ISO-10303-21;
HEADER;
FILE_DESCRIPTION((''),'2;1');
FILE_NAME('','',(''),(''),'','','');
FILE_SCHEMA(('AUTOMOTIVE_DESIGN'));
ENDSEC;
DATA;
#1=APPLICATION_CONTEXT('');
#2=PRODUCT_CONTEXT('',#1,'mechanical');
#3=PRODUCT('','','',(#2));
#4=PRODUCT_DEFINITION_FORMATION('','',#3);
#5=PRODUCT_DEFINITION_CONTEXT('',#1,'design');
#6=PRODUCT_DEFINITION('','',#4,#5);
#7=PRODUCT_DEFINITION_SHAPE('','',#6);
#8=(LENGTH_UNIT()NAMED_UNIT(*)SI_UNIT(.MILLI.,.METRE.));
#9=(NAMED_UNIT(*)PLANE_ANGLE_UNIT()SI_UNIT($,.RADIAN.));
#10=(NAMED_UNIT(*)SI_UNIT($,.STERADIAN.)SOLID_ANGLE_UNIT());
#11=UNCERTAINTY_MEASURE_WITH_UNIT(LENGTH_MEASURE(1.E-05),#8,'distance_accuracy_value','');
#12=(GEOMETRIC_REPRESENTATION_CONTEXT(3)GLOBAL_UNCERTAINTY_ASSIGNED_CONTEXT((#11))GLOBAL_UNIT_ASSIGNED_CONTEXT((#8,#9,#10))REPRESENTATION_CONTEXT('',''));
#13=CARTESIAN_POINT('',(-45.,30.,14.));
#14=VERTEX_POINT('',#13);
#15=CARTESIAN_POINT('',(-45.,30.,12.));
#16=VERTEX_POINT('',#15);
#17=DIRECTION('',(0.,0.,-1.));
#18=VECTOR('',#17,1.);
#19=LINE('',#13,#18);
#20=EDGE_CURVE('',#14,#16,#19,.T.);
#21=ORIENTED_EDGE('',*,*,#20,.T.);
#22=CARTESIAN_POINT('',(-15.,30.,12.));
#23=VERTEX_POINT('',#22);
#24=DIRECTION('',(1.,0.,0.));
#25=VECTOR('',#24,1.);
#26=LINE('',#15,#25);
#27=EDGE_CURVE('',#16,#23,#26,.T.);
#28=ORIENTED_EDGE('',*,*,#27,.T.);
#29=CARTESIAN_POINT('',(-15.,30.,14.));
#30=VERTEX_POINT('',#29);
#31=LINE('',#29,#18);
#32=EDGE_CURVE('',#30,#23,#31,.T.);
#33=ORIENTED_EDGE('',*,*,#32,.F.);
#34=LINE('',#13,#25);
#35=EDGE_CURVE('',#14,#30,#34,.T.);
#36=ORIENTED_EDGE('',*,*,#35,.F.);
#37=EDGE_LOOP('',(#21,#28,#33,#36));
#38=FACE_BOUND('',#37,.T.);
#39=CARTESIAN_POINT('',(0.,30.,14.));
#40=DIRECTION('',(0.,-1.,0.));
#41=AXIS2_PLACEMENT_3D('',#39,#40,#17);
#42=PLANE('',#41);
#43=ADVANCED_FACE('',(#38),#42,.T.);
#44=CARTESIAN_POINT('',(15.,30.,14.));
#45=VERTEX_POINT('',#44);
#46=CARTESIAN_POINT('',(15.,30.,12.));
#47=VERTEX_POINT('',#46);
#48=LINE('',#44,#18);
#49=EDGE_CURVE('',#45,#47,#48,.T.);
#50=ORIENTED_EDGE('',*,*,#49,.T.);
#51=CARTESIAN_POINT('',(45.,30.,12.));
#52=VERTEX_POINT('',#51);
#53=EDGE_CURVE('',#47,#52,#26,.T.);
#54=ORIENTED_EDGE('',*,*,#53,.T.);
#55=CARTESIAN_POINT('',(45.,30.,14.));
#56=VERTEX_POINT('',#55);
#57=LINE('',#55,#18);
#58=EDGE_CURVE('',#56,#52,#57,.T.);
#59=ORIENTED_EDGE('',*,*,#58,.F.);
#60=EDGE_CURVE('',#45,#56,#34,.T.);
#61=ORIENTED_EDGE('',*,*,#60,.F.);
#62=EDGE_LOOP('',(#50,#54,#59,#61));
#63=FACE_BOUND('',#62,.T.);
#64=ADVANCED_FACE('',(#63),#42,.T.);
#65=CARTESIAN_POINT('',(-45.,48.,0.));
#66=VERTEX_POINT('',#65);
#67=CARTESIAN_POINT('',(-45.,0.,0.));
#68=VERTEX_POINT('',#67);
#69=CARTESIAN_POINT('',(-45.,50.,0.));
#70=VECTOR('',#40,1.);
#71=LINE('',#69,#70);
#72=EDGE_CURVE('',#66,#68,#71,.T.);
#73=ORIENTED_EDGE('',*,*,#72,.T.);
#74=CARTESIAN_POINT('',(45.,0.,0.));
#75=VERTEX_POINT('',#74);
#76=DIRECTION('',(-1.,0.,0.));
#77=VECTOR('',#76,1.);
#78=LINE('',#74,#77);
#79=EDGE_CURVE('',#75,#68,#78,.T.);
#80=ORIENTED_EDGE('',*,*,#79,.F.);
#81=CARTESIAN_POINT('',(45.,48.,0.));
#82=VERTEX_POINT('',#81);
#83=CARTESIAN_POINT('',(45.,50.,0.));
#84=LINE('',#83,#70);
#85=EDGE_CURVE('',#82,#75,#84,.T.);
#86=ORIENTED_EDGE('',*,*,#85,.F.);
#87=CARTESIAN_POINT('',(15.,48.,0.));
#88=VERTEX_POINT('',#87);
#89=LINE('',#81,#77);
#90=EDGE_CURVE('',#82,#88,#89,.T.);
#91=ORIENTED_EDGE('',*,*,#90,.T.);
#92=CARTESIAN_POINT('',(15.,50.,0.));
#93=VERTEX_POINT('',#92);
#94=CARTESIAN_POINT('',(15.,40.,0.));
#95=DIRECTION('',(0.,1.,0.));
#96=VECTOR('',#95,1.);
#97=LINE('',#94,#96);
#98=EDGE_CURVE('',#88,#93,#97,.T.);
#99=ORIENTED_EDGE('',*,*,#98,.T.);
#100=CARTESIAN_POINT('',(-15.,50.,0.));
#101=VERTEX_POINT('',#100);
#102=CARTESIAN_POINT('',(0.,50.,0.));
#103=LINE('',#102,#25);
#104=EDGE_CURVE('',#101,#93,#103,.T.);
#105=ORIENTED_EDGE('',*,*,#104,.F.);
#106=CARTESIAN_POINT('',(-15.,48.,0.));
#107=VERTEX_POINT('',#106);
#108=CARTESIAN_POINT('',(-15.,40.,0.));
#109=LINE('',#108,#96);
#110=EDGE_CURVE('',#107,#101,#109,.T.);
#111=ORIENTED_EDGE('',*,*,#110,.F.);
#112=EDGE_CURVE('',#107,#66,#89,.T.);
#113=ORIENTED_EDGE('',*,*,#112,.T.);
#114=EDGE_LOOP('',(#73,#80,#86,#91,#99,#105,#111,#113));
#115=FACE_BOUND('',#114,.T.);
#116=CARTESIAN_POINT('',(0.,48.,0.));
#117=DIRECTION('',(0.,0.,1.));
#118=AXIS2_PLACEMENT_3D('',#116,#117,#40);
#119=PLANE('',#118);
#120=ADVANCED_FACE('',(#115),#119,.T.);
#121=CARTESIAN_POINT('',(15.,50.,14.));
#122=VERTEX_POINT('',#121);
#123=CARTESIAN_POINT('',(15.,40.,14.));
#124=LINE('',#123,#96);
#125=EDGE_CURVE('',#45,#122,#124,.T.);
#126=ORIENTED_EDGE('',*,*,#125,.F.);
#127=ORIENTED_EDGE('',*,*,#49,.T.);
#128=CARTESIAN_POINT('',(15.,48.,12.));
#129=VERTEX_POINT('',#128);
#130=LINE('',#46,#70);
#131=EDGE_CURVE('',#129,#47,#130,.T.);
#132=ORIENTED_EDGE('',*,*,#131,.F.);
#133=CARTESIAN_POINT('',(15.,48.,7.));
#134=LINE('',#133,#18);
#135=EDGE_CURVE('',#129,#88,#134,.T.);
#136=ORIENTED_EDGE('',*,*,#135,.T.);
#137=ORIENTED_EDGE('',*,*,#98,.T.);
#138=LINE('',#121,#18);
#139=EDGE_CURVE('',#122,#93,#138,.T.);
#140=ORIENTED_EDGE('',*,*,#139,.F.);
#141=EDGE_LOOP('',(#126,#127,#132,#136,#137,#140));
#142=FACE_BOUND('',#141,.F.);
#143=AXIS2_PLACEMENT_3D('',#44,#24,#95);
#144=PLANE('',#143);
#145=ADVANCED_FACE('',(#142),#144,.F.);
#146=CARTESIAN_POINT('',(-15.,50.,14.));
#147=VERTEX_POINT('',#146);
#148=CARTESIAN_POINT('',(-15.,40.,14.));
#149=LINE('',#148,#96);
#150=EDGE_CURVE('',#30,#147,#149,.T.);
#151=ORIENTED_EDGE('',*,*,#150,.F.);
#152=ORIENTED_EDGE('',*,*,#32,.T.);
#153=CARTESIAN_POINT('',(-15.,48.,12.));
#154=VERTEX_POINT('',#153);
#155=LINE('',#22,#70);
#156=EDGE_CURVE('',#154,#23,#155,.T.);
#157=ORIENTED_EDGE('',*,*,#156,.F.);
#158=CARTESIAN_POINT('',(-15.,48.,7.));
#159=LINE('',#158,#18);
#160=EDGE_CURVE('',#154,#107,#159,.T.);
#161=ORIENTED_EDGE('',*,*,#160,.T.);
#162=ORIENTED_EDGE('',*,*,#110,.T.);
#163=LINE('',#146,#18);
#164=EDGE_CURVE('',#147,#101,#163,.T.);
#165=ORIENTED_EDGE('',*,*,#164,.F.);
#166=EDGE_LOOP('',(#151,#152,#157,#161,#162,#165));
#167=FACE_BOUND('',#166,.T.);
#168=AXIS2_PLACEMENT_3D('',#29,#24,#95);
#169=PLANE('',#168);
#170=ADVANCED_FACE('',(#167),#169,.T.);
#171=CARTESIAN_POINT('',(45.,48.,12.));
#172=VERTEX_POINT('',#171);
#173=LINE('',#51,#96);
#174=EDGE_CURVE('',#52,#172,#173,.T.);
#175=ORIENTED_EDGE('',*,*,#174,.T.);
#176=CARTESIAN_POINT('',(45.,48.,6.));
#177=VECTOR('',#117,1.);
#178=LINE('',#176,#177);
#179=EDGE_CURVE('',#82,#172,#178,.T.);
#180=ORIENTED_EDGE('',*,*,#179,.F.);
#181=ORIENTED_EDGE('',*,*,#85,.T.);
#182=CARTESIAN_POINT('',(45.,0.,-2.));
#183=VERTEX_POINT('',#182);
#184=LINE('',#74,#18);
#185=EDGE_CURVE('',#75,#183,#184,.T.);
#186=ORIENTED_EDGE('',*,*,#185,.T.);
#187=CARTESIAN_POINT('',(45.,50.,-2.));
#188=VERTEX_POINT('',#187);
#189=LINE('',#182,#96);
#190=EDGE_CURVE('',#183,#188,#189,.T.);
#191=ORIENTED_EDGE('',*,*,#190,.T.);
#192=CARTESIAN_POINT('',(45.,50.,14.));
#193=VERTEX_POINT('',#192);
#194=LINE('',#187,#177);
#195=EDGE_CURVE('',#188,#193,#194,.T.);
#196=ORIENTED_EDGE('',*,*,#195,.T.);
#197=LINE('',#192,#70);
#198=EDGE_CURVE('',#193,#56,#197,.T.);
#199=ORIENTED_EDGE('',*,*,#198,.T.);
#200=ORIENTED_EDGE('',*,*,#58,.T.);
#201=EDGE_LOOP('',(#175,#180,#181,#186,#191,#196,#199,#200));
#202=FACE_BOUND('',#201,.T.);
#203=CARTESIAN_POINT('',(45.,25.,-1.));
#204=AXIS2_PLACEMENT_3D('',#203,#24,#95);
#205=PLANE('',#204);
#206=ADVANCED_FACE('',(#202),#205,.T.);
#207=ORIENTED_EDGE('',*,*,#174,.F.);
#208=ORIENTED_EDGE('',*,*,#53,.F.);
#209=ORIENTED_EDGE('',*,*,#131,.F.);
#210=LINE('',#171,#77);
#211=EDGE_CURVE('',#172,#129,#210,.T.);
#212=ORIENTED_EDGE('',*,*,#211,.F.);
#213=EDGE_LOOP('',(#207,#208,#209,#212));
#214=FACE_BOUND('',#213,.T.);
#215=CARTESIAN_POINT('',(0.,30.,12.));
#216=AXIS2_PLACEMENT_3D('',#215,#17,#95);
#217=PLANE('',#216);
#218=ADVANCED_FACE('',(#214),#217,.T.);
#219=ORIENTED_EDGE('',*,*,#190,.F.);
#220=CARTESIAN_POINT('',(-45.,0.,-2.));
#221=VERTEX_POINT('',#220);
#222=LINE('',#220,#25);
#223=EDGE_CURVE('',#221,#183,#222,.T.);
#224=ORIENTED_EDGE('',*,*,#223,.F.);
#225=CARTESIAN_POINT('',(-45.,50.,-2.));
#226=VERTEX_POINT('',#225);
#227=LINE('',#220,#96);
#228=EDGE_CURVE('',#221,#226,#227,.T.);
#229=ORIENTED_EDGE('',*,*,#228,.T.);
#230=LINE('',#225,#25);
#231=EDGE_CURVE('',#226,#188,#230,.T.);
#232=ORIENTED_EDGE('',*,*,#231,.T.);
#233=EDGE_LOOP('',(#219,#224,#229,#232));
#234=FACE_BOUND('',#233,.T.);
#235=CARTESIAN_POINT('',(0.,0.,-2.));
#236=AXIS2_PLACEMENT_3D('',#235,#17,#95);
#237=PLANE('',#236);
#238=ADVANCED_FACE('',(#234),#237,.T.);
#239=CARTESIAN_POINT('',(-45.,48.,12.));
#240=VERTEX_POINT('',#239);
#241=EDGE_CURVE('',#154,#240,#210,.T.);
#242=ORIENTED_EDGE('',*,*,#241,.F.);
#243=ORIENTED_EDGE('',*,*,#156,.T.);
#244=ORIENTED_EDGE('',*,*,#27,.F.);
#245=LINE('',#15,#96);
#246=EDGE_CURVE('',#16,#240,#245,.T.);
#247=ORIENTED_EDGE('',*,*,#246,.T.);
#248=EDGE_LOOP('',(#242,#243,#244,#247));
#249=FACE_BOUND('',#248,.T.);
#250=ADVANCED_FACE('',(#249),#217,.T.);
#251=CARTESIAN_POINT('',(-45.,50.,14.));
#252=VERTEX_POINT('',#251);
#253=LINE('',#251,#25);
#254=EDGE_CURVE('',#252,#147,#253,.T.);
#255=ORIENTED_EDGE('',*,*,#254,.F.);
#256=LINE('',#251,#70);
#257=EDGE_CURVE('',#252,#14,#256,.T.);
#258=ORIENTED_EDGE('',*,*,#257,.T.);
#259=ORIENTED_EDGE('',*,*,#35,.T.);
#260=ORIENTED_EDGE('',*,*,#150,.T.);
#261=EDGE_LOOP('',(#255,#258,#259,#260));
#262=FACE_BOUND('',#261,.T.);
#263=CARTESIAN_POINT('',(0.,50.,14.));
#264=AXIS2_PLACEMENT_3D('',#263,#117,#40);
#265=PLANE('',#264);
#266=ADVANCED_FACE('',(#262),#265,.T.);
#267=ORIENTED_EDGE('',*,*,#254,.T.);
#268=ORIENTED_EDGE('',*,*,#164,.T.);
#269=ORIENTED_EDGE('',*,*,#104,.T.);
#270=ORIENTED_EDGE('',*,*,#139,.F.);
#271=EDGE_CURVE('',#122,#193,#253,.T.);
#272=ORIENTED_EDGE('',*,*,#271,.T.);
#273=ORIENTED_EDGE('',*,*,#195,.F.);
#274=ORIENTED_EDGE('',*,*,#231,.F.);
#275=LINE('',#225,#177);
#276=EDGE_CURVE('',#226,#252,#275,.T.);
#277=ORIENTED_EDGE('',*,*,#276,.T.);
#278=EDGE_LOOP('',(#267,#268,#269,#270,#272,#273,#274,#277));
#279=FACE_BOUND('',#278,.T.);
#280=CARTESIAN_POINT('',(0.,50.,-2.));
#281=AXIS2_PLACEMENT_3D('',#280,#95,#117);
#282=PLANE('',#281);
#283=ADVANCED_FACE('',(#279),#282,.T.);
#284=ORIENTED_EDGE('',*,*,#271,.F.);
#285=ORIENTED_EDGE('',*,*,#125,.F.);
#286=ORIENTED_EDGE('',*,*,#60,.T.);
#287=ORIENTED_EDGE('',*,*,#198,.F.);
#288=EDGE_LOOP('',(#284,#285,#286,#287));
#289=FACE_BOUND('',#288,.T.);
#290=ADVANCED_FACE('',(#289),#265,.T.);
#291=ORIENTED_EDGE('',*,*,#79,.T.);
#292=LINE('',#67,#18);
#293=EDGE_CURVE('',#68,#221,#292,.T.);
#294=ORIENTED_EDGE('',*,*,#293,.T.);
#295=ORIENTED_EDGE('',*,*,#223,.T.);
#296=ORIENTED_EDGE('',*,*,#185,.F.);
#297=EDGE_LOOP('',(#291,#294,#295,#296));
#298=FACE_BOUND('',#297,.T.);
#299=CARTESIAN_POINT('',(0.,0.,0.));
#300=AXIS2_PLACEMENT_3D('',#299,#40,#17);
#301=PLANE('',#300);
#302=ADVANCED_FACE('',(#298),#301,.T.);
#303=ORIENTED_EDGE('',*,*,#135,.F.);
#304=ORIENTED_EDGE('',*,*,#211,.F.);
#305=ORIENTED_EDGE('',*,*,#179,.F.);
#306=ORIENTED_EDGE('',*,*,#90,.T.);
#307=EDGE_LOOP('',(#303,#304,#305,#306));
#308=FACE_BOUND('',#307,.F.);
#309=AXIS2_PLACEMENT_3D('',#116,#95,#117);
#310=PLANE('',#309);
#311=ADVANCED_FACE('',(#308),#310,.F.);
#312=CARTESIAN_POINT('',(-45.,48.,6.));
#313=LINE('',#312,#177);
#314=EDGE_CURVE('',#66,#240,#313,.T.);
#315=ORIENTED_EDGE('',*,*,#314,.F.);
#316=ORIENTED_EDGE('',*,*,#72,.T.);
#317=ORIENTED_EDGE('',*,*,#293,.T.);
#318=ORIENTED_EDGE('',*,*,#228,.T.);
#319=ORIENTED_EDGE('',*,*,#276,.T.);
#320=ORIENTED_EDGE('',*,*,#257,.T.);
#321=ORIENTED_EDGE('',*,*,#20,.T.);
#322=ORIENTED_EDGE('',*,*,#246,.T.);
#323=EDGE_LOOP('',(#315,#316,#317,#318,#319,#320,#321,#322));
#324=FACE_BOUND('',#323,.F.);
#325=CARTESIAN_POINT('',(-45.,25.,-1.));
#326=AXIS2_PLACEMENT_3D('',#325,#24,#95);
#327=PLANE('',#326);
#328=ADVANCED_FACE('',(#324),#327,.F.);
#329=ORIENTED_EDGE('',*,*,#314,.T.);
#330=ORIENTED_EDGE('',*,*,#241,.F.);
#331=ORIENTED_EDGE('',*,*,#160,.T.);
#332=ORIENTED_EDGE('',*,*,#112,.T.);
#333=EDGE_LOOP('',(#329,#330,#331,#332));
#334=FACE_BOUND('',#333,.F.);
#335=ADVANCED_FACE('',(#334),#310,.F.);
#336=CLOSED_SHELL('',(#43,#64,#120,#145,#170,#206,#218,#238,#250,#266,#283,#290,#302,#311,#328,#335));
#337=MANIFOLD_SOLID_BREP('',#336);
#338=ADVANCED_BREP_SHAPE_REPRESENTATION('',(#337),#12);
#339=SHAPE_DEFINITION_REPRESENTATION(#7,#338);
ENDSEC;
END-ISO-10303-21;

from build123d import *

# Parameters (mm, degrees)
F0_W     = 2
F0_H     = 12
F1_DEPTH = 45
F2_W     = 30
F2_H     = 20
F3_DEPTH = 14


with BuildPart() as f1:
    # F0 (on Right) → F1 (new body, symmetric)
    with BuildSketch(Plane.YZ):
        Polygon((48, 0), (0, 0), (0, -2), (50, -2), (50, 0), align=None)
        with Locations((49, 6)):
            Rectangle(F0_W, F0_H)
        Polygon((30, 12), (48, 12), (50, 12), (50, 14), (30, 14), align=None)
    extrude(amount=F1_DEPTH, both=True)

    # F2 (on face) → F3 (cut)
    with BuildSketch(Plane.XY.offset(14)):
        with Locations((0, 40)):
            Rectangle(F2_W, F2_H)
    extrude(amount=-F3_DEPTH, mode=Mode.SUBTRACT)


solid = f1.part
